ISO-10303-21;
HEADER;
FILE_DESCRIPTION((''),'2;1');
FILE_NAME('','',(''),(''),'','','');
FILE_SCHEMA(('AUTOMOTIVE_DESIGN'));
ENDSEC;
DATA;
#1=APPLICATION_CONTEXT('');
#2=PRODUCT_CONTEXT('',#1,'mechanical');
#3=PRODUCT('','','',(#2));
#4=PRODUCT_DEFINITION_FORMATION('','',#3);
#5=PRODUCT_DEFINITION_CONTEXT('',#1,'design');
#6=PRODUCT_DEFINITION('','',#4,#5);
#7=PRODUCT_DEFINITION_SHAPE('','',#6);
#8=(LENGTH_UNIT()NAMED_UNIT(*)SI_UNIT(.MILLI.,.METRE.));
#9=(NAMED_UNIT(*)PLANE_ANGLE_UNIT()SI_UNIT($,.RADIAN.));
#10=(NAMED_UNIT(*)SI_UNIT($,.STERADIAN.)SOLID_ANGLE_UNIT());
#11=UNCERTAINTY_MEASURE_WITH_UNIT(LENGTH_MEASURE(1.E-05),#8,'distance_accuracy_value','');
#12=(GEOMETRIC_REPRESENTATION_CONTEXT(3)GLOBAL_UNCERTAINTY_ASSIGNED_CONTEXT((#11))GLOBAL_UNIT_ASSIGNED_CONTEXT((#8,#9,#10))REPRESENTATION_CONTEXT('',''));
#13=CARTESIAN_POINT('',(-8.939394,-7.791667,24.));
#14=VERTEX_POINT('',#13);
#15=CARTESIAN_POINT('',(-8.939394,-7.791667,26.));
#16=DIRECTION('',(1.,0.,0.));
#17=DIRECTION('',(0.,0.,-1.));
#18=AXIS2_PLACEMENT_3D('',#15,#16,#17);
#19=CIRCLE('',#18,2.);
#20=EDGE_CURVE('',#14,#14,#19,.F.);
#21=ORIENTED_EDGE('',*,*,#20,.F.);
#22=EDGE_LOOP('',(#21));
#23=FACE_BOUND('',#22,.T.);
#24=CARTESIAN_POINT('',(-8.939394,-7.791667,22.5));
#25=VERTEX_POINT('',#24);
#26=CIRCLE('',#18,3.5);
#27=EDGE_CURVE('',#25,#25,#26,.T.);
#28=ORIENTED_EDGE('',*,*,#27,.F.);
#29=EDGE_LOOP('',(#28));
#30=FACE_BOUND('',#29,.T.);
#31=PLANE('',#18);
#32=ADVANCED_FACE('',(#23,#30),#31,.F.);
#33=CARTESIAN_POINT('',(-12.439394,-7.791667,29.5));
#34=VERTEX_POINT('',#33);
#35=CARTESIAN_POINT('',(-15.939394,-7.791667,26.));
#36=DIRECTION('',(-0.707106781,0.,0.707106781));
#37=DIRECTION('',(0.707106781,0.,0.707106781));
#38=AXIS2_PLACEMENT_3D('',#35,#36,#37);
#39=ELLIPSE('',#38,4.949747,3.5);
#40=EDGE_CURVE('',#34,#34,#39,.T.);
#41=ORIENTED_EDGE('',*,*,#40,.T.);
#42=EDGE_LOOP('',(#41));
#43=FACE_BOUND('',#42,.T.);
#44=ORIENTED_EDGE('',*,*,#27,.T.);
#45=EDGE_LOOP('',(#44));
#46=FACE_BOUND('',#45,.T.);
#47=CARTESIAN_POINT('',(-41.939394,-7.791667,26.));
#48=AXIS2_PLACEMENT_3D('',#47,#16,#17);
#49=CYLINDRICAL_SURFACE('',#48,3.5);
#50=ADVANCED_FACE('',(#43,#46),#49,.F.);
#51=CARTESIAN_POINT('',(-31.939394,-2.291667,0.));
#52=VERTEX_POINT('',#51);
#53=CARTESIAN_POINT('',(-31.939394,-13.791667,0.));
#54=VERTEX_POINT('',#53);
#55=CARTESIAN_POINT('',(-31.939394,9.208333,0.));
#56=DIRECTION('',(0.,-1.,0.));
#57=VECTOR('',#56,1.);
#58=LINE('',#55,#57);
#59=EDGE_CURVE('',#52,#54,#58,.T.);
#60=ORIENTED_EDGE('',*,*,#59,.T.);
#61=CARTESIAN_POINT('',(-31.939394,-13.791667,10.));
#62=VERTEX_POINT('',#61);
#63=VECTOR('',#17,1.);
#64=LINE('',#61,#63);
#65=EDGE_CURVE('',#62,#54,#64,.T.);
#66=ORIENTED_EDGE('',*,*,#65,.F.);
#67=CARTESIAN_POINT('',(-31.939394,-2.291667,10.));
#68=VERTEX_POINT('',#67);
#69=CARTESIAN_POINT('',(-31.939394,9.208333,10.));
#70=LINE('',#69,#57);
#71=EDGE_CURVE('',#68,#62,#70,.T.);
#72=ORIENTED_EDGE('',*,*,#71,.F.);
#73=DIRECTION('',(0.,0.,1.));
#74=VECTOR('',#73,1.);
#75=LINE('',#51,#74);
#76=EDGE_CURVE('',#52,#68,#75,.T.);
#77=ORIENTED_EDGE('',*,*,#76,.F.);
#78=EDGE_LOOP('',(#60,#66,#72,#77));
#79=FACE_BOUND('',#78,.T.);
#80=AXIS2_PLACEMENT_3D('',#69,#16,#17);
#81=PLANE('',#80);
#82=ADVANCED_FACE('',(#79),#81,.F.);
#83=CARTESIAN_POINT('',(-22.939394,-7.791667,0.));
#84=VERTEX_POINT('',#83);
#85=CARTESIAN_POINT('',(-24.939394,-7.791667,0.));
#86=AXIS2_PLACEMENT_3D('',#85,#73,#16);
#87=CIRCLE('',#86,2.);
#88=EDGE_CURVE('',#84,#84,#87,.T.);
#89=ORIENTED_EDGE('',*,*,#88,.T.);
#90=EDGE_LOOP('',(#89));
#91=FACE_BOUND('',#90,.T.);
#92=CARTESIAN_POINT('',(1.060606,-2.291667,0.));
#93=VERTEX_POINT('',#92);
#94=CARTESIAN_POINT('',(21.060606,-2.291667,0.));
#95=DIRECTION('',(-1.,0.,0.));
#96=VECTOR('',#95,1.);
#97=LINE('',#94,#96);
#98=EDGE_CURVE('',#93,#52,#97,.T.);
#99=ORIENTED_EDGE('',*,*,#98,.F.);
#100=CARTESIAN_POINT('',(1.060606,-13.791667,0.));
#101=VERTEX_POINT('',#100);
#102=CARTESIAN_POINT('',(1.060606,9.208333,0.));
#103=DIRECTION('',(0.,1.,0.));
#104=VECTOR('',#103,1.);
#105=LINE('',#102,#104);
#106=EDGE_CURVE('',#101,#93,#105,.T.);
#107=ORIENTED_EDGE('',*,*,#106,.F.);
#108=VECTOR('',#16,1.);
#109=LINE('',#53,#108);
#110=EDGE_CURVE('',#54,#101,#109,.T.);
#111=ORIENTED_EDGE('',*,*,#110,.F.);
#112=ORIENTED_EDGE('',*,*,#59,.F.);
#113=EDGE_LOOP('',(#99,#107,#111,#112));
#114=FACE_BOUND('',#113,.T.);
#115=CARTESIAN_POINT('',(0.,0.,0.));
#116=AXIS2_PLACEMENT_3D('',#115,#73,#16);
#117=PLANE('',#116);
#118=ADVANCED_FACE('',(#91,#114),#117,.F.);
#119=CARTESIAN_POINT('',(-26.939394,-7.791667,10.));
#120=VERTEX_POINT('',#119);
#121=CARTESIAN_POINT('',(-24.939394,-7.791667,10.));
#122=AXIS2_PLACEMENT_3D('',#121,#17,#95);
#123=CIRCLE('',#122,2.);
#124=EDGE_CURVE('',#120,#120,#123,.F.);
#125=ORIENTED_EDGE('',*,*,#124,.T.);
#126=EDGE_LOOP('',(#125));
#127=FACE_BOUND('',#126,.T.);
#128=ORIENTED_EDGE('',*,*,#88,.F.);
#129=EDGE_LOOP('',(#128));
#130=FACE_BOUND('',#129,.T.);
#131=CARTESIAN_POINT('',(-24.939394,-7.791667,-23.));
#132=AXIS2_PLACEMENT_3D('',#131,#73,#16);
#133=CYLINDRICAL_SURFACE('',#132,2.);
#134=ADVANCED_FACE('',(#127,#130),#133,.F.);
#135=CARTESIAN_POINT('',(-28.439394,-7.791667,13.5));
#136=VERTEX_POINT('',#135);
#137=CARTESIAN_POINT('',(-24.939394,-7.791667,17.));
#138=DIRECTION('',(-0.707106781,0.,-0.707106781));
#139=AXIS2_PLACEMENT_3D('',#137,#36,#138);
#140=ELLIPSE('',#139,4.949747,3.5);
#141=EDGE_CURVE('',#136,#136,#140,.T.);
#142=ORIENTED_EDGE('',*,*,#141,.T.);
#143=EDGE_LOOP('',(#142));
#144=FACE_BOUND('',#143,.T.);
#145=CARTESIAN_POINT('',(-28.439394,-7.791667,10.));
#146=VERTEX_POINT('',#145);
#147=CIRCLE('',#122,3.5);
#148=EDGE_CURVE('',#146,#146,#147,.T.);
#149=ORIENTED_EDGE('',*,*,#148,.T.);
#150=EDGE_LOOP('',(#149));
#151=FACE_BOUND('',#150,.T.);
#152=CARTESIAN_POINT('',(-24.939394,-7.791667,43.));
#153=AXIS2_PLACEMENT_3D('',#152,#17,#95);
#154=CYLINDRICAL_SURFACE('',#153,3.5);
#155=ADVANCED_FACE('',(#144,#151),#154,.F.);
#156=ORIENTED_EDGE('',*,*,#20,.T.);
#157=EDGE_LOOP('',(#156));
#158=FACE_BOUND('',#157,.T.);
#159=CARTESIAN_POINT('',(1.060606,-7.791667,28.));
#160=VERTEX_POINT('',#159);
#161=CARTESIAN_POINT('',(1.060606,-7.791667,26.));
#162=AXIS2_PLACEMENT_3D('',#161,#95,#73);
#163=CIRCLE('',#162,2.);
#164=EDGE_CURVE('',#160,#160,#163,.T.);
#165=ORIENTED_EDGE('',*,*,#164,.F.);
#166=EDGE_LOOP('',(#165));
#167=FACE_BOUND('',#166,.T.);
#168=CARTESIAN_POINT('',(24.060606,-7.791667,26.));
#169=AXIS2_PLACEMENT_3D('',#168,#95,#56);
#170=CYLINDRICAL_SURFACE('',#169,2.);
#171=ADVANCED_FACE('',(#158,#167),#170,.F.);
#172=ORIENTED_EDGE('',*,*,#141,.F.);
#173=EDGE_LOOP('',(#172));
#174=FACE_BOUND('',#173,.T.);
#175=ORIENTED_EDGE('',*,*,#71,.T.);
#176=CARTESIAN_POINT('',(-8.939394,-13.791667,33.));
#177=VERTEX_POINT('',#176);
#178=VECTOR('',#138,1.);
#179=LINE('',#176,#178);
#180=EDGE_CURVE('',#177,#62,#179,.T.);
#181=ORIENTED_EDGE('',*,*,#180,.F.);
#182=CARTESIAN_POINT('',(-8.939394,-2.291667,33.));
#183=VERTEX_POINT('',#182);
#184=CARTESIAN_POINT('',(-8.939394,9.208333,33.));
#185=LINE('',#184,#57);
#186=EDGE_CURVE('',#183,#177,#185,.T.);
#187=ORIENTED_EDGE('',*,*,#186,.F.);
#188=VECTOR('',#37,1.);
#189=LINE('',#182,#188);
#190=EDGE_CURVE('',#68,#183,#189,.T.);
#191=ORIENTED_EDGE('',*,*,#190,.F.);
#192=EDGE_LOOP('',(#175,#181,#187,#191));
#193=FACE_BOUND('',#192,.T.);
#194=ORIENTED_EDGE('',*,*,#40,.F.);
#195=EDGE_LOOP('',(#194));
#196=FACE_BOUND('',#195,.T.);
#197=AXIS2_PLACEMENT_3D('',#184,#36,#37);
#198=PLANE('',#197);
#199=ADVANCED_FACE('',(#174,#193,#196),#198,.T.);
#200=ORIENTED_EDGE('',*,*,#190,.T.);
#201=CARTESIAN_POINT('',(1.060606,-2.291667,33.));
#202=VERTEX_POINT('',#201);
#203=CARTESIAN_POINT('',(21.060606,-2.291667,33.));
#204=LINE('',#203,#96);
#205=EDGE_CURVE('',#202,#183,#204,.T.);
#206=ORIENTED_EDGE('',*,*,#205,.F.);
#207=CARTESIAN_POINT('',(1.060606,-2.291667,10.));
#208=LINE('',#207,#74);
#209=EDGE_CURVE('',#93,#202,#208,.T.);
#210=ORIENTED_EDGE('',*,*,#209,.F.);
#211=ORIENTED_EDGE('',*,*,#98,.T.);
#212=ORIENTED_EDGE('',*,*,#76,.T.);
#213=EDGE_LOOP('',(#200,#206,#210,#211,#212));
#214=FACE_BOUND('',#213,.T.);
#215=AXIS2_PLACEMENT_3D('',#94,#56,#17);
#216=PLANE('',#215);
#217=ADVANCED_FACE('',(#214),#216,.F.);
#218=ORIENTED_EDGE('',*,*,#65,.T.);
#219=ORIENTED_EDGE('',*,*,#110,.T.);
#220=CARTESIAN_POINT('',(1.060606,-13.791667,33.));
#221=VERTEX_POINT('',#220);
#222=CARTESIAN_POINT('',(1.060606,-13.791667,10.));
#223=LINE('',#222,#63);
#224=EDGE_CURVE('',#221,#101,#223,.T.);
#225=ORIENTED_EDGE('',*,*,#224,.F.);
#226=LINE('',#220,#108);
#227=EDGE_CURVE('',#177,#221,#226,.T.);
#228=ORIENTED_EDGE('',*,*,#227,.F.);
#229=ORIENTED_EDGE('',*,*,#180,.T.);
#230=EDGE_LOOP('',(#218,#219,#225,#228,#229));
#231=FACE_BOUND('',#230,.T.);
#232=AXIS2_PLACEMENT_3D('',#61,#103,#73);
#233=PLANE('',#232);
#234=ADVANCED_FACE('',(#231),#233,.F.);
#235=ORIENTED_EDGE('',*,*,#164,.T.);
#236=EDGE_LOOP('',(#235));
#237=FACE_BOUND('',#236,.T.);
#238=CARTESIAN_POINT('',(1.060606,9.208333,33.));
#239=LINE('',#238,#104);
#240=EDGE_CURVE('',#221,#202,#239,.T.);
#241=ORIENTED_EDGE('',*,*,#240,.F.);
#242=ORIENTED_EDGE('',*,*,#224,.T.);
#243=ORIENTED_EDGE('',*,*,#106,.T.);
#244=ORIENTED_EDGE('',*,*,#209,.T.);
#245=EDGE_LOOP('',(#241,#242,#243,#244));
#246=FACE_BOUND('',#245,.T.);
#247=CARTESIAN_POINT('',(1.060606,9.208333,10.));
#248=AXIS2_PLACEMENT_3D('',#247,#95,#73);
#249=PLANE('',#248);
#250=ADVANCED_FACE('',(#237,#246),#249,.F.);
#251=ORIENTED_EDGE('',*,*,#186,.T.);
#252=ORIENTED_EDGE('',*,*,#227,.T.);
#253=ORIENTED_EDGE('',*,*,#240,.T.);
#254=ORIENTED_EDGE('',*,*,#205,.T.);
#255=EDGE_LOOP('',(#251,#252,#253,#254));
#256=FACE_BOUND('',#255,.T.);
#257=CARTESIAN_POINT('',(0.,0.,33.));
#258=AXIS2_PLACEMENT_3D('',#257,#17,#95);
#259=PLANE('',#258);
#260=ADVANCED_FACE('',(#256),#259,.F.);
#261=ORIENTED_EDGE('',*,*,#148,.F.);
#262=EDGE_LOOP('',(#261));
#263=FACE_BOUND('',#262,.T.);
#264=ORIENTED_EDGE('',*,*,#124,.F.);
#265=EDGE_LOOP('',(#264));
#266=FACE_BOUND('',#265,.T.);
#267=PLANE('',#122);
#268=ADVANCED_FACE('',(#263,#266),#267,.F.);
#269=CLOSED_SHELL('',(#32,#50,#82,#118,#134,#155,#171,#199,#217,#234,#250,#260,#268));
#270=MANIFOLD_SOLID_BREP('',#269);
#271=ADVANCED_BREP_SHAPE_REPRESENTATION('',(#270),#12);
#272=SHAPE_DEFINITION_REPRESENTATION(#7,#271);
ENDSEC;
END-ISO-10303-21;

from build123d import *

# Parameters (mm, degrees)
SKETCH1_W           = 33
SKETCH1_H           = 23
BOSS_EXTRUDE1_DEPTH = 10
SKETCH2_W           = 10
SKETCH2_H           = 23
BOSS_EXTRUDE2_DEPTH = 23
SKETCH3_R           = 2
CUT_EXTRUDE1_DEPTH  = 33
SKETCH4_R           = 2
CUT_EXTRUDE2_DEPTH  = 33
BOSS_EXTRUDE3_DEPTH = 23
SKETCH6_R           = 3.5
CUT_EXTRUDE3_DEPTH  = 33
SKETCH7_R           = 3.5
CUT_EXTRUDE4_DEPTH  = 33
SKETCH8_W           = 33
SKETCH8_H           = 11.5
CUT_EXTRUDE5_DEPTH  = 53


with BuildPart() as part:
    # Sketch1 → Boss-Extrude1 (new body)
    with BuildSketch(Plane.XY):
        with Locations((-15.439393939, -2.291666667)):
            Rectangle(SKETCH1_W, SKETCH1_H)
    extrude(amount=BOSS_EXTRUDE1_DEPTH)

    # Sketch2 → Boss-Extrude2 (add)
    with BuildSketch(Plane.XY.offset(10)):
        with Locations((-3.939393939, -2.291666667)):
            Rectangle(SKETCH2_W, SKETCH2_H)
    extrude(amount=BOSS_EXTRUDE2_DEPTH)

    # Sketch3 → Cut-Extrude1 (cut)
    with BuildSketch(Plane.XY.offset(10)):
        with Locations((-24.939393939, 3.208333333)):
            Circle(SKETCH3_R)
        with Locations((-24.939393939, -7.791666667)):
            Circle(SKETCH3_R)
    extrude(amount=-CUT_EXTRUDE1_DEPTH, mode=Mode.SUBTRACT)

    # Sketch4 → Cut-Extrude2 (cut)
    with BuildSketch(Plane.ZY.offset(8.939393939)):
        with Locations(Location((26, 3.208333333, 0), (0, 0, 270))):
            Circle(SKETCH4_R)
        with Locations(Location((26, -7.791666667, 0), (0, 0, 270))):
            Circle(SKETCH4_R)
    extrude(amount=-CUT_EXTRUDE2_DEPTH, mode=Mode.SUBTRACT)

    # Sketch5 → Boss-Extrude3 (add)
    with BuildSketch(Plane(origin=(0, -13.791666667, 0), x_dir=(-1, 0, 0), z_dir=(0, -1, 0))):
        Polygon((8.939393939, -10), (8.939393939, -33), (31.939393939, -10), align=None)
    extrude(amount=-BOSS_EXTRUDE3_DEPTH)

    # Sketch6 → Cut-Extrude3 (cut)
    with BuildSketch(Plane(origin=(-8.939393939, 0, 0), x_dir=(0, 0, -1), z_dir=(1, 0, 0))):
        with Locations((-26, -7.791666667)):
            Circle(SKETCH6_R)
        with Locations((-26, 3.208333333)):
            Circle(SKETCH6_R)
    extrude(amount=-CUT_EXTRUDE3_DEPTH, mode=Mode.SUBTRACT)

    # Sketch7 → Cut-Extrude4 (cut)
    with BuildSketch(Plane(origin=(0, 0, 10), x_dir=(-1, 0, 0), z_dir=(0, 0, -1))):
        with Locations((24.939393939, -7.791666667)):
            Circle(SKETCH7_R)
        with Locations((24.939393939, 3.208333333)):
            Circle(SKETCH7_R)
    extrude(amount=-CUT_EXTRUDE4_DEPTH, mode=Mode.SUBTRACT)

    # Sketch8 → Cut-Extrude5 (cut)
    with BuildSketch(Plane.ZY.offset(31.939393939)):
        with Locations((16.5, 3.458333333)):
            Rectangle(SKETCH8_W, SKETCH8_H)
    extrude(amount=-CUT_EXTRUDE5_DEPTH, mode=Mode.SUBTRACT)


solid = part.part
